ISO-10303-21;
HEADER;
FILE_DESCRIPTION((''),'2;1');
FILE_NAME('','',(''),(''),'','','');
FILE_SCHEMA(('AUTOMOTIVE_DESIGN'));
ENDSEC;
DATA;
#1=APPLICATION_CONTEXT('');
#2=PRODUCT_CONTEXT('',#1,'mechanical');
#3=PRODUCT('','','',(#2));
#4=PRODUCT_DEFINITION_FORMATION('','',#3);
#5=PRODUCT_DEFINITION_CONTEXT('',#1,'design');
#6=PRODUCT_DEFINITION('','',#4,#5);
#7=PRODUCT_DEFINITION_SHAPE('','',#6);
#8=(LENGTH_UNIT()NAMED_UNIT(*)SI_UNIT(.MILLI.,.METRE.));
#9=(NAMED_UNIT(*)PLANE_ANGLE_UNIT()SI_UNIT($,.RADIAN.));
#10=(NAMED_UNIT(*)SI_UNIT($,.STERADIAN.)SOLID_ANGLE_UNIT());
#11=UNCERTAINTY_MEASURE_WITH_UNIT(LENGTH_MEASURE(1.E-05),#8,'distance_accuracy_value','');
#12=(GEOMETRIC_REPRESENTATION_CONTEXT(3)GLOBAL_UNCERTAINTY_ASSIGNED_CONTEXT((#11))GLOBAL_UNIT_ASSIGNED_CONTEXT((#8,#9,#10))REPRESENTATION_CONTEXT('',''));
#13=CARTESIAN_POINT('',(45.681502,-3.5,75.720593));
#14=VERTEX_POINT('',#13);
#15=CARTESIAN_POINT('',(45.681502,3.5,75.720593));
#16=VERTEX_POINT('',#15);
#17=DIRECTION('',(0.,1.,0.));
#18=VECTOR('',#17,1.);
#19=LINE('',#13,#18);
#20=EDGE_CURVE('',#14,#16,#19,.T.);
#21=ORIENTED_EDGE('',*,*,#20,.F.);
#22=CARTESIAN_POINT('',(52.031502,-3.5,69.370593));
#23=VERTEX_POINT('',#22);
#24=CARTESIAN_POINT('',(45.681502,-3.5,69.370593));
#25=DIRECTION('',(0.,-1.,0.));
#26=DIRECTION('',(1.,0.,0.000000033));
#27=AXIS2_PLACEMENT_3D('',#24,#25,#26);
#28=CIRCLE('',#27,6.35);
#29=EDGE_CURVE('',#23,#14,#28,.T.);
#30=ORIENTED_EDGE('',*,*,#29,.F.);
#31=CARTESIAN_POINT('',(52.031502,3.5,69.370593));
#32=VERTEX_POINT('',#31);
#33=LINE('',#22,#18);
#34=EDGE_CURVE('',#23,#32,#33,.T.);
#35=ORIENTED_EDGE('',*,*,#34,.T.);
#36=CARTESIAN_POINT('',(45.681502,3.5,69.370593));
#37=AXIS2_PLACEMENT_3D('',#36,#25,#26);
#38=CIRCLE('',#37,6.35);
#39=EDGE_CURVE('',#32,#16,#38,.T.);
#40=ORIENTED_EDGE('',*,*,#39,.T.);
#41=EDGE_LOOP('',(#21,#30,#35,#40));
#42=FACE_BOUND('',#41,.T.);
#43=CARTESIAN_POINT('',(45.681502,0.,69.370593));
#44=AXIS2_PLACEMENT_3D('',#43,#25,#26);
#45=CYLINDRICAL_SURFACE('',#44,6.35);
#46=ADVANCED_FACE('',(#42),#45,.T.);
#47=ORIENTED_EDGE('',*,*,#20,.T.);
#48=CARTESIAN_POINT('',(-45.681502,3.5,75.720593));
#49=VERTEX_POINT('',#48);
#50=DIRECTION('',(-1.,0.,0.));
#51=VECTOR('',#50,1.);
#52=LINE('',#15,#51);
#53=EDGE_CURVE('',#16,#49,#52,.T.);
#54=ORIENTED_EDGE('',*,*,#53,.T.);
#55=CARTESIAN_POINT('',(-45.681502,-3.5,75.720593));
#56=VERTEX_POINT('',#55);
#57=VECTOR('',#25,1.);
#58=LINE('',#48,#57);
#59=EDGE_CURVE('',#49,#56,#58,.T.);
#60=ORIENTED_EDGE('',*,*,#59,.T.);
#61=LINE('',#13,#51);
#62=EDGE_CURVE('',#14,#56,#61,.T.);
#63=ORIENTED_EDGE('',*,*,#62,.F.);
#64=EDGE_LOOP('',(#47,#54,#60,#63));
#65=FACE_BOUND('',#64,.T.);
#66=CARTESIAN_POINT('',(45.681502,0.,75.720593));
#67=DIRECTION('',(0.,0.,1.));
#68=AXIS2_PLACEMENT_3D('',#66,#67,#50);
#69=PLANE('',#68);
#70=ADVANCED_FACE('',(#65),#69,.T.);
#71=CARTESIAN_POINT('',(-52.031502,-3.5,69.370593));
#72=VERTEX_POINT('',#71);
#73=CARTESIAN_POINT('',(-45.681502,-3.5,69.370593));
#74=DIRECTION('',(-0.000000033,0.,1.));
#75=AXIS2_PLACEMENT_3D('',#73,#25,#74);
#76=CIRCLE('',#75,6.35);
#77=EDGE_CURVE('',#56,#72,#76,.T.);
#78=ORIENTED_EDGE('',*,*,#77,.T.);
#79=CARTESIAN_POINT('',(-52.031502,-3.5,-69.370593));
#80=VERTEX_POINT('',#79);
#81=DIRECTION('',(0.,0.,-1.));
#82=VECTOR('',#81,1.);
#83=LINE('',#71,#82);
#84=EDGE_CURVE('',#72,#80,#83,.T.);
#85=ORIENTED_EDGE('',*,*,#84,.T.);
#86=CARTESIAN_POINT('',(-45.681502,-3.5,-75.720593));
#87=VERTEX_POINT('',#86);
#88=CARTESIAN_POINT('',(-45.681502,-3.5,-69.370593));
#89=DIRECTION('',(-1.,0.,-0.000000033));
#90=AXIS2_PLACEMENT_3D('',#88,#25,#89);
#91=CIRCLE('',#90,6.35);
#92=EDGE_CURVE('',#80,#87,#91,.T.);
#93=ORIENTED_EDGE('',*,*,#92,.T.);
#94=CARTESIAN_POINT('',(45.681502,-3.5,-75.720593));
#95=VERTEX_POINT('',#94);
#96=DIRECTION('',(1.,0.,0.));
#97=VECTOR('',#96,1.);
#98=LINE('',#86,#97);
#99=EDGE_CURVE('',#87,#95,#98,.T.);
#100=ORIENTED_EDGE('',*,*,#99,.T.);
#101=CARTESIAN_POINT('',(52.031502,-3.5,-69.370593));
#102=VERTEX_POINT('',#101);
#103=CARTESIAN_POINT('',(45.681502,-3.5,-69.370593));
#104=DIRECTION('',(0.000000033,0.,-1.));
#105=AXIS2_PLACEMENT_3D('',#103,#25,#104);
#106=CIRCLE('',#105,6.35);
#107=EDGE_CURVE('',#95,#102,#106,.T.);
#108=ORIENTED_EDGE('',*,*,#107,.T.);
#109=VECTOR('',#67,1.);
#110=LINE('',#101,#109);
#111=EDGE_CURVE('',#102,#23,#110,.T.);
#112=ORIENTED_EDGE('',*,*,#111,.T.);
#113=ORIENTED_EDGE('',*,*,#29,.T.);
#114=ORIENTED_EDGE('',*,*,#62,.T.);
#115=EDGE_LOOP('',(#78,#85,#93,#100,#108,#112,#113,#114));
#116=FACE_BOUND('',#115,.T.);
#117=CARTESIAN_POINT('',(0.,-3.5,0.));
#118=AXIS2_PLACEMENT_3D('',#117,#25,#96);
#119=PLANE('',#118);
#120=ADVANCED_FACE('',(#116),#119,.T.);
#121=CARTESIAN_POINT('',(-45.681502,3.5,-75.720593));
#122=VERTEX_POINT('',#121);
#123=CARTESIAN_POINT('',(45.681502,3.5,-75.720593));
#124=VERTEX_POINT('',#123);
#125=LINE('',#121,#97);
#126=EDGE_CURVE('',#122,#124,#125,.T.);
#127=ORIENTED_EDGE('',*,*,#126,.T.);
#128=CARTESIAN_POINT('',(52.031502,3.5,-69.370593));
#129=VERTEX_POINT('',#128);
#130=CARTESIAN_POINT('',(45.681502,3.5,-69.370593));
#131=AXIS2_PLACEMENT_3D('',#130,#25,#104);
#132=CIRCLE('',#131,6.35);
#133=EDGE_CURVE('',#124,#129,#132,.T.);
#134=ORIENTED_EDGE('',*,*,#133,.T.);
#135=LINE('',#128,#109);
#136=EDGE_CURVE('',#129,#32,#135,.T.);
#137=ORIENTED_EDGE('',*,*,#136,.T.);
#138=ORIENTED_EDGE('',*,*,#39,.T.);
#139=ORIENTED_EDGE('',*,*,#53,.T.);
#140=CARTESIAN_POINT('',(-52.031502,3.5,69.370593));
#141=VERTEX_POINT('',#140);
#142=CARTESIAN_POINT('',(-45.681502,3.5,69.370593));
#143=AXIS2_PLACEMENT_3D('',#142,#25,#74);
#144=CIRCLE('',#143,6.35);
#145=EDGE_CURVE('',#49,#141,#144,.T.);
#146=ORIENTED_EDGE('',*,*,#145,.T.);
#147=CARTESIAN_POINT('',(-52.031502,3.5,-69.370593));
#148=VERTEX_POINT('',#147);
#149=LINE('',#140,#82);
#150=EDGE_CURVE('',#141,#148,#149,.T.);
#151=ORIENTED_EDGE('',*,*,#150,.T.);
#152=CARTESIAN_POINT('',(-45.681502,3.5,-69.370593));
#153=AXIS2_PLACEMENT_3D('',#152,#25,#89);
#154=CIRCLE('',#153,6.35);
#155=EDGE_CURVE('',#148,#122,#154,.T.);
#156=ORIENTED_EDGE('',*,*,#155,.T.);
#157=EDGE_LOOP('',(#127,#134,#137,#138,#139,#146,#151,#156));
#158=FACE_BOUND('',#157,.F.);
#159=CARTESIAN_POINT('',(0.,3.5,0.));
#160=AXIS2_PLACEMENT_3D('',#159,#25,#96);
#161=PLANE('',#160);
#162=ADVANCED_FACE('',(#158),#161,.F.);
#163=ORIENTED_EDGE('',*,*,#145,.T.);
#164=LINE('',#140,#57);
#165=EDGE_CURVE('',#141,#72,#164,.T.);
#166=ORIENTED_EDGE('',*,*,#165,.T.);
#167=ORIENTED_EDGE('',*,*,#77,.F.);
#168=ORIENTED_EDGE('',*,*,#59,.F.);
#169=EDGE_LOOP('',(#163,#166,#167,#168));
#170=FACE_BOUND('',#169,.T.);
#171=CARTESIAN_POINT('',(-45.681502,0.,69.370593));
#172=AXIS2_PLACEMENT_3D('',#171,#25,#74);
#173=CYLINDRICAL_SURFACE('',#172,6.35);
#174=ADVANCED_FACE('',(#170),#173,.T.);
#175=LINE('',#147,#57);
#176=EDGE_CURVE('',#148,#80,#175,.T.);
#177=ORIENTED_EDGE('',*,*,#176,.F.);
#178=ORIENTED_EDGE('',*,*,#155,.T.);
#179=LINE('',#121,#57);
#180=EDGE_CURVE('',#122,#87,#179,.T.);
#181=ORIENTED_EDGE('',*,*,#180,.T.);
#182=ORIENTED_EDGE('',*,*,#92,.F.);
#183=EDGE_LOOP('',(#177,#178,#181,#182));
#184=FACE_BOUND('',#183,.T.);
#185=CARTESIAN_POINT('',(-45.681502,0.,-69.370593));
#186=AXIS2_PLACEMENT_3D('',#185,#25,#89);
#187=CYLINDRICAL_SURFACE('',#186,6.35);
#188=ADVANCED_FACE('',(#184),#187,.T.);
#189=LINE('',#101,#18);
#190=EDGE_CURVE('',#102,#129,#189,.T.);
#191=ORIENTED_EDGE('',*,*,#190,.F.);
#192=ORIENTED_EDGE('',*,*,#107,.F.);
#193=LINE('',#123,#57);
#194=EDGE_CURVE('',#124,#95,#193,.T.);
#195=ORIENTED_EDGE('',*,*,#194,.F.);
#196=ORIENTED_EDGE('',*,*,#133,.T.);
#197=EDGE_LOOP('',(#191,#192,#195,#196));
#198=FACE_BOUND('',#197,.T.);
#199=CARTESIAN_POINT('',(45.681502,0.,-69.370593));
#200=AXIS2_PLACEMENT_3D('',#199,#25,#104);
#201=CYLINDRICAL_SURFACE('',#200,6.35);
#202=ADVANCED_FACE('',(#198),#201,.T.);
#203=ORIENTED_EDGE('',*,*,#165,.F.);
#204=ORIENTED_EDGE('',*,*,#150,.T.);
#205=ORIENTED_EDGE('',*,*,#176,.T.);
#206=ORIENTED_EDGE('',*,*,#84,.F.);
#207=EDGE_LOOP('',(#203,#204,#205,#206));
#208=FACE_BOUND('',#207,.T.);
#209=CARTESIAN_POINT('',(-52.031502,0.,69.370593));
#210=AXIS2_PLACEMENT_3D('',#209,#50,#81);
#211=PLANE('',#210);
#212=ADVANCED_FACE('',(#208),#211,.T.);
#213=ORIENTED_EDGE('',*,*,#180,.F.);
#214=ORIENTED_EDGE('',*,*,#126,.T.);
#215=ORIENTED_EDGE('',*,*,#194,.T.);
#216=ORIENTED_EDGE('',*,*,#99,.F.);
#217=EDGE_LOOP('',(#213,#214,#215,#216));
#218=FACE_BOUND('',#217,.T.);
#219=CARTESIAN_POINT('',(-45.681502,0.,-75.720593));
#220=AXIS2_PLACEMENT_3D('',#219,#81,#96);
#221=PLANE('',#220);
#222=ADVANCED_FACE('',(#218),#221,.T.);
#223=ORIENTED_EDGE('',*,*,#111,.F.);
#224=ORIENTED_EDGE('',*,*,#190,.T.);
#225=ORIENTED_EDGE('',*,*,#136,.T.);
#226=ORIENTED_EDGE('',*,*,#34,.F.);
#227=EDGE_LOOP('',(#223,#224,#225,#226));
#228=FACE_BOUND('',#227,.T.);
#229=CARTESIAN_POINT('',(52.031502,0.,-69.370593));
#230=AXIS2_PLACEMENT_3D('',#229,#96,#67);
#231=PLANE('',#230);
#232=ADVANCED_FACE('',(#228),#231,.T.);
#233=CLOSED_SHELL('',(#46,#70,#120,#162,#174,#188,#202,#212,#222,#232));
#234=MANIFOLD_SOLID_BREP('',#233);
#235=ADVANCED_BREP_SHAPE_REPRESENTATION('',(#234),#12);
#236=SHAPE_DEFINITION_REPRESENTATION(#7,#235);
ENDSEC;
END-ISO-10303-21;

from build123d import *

# Parameters (mm, degrees)
F1_DEPTH = 3.5


with BuildPart() as f1:
    # F0 (on Front) → F1 (new body, symmetric)
    with BuildSketch(Plane.XZ):
        with BuildLine():
            Line((45.681502, 75.720593), (-45.681502, 75.720593))
            ThreePointArc((-45.681502, 75.720593), (-50.17163, 73.860721), (-52.031502, 69.370593))
            Line((-52.031502, 69.370593), (-52.031502, -69.370593))
            ThreePointArc((-52.031502, -69.370593), (-50.17163, -73.860721), (-45.681502, -75.720593))
            Line((-45.681502, -75.720593), (45.681502, -75.720593))
            ThreePointArc((45.681502, -75.720593), (50.17163, -73.860721), (52.031502, -69.370593))
            Line((52.031502, -69.370593), (52.031502, 69.370593))
            ThreePointArc((52.031502, 69.370593), (50.17163, 73.860721), (45.681502, 75.720593))
        make_face()
    extrude(amount=F1_DEPTH, both=True)


solid = f1.part
